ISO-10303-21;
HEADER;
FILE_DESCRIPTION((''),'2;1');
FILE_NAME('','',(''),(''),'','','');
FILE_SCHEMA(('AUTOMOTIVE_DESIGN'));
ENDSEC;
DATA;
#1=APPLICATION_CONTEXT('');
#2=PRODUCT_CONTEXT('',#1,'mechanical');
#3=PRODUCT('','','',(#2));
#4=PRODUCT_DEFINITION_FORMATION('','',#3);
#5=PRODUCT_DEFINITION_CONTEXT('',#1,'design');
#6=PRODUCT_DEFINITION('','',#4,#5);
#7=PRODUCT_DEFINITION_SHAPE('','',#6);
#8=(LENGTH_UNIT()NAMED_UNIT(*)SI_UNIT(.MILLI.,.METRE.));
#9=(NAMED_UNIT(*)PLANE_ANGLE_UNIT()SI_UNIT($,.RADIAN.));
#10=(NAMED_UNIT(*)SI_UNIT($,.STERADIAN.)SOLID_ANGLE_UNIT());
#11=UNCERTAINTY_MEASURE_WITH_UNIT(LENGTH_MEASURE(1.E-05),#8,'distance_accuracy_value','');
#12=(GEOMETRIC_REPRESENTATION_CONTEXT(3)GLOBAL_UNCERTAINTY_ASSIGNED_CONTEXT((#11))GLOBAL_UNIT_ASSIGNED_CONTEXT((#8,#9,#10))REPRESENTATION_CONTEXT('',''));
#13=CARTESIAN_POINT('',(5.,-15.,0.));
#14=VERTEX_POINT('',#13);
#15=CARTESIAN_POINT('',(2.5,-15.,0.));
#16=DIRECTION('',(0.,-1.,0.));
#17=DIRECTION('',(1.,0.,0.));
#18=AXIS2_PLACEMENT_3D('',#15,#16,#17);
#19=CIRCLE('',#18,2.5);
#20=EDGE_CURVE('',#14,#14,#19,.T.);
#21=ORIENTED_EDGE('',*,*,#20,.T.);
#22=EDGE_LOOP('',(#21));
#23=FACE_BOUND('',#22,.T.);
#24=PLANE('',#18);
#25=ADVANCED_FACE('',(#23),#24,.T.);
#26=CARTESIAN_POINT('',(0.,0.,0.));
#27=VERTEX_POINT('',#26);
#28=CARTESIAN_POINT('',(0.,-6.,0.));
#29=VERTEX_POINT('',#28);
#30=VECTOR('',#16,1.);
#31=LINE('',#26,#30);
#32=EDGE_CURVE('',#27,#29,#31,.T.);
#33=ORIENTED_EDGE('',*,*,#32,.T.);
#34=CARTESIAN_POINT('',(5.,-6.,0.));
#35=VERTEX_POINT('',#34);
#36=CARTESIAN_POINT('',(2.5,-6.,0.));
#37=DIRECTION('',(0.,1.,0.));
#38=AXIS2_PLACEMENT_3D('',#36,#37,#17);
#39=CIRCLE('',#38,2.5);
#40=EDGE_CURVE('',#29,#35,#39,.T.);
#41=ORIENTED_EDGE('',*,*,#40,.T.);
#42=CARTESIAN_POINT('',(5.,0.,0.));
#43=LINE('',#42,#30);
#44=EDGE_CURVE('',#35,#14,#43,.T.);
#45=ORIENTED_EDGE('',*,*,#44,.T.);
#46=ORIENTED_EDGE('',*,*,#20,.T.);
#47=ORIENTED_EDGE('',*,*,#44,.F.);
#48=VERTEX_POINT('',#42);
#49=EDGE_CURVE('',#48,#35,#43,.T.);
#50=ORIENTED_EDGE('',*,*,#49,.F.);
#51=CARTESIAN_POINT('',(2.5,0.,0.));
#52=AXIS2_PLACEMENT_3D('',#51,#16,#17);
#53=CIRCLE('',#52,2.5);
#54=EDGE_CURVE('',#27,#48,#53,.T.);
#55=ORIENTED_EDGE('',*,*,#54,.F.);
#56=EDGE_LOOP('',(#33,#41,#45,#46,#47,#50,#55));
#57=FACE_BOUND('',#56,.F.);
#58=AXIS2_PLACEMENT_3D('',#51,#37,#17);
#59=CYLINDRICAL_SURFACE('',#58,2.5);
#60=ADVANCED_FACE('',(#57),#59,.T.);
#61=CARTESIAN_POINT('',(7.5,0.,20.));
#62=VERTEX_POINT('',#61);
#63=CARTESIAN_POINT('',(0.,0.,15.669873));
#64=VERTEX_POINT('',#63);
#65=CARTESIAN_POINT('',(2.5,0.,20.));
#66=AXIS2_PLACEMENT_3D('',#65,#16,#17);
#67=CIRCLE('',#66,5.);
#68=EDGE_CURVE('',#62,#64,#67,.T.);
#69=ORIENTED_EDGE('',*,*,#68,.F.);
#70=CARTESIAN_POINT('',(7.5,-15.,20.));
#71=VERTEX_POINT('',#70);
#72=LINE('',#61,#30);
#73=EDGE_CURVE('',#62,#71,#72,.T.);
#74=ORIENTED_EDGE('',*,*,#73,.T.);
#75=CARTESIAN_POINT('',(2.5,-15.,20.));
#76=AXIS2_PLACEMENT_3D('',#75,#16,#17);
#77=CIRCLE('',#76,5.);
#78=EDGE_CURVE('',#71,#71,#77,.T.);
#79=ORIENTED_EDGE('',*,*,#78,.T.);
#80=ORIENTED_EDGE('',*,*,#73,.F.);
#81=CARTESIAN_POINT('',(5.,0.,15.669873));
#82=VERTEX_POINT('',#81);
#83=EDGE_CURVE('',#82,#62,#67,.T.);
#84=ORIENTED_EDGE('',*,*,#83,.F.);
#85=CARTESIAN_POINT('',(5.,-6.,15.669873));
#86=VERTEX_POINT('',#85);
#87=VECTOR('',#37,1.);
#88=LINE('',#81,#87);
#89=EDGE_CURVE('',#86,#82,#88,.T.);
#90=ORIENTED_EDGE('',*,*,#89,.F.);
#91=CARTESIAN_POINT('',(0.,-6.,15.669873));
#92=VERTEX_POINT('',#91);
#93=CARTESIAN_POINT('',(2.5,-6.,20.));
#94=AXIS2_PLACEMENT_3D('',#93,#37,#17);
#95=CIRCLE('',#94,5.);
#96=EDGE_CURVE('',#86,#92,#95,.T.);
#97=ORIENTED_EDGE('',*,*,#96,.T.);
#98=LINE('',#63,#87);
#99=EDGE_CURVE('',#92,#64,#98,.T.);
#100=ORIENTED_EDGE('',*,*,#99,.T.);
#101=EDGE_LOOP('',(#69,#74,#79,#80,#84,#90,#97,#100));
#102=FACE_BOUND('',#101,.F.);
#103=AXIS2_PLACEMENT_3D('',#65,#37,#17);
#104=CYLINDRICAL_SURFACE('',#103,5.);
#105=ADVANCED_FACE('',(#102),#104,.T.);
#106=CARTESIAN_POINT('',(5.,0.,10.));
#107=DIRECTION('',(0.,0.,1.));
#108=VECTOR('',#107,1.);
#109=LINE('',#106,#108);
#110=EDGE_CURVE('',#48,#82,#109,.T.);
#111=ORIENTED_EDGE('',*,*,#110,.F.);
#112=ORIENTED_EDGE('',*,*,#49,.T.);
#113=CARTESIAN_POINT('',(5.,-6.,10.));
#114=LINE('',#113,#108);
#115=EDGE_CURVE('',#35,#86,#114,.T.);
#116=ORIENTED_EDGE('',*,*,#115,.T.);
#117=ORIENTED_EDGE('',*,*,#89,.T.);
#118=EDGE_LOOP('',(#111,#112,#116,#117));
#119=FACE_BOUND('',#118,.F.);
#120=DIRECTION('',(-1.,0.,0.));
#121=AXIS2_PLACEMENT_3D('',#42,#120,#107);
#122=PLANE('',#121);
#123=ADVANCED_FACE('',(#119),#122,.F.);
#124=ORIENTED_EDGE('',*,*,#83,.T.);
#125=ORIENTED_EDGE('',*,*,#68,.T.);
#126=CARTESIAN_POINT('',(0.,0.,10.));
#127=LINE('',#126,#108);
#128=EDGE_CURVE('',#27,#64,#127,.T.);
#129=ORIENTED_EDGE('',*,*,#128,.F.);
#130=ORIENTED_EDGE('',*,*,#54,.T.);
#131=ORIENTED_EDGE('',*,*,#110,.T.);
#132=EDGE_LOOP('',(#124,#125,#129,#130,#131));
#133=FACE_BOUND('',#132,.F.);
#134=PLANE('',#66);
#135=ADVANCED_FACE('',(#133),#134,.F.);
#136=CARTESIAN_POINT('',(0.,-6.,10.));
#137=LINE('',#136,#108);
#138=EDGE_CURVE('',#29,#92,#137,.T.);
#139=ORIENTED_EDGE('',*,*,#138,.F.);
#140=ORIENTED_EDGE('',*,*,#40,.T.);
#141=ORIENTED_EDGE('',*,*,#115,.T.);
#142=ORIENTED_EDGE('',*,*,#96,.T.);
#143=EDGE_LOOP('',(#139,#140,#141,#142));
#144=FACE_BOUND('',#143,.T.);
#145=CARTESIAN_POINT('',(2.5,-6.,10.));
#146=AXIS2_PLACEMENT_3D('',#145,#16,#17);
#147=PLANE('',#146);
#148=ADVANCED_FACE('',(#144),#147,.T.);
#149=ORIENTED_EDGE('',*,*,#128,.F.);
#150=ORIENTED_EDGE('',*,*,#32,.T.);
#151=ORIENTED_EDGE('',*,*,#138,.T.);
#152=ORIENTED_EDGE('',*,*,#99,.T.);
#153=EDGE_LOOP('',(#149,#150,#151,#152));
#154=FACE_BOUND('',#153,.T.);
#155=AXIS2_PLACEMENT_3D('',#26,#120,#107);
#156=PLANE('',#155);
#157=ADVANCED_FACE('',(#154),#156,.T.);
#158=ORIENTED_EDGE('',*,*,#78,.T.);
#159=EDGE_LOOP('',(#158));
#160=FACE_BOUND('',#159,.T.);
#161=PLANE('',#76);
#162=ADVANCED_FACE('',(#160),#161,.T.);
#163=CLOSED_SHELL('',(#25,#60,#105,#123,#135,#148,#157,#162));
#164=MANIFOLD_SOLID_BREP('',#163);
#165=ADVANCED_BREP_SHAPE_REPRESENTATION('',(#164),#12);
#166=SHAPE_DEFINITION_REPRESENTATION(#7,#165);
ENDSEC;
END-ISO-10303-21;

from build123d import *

# Parameters (mm, degrees)
F0_W     = 5
F0_H     = 20
F1_DEPTH = 6
F2_R     = 5
F2_R_2   = 2.5
F3_DEPTH = 15


with BuildPart() as f1:
    # F0 (on Front) → F1 (new body)
    with BuildSketch(Plane.XZ):
        with Locations((2.5, 10)):
            Rectangle(F0_W, F0_H)
    extrude(amount=F1_DEPTH)

    # F2 (on Front) → F3 (join)
    with BuildSketch(Plane.XZ):
        with Locations((2.5, 20)):
            Circle(F2_R)
        with Locations((2.5, 0)):
            Circle(F2_R_2)
    extrude(amount=F3_DEPTH)


solid = f1.part
